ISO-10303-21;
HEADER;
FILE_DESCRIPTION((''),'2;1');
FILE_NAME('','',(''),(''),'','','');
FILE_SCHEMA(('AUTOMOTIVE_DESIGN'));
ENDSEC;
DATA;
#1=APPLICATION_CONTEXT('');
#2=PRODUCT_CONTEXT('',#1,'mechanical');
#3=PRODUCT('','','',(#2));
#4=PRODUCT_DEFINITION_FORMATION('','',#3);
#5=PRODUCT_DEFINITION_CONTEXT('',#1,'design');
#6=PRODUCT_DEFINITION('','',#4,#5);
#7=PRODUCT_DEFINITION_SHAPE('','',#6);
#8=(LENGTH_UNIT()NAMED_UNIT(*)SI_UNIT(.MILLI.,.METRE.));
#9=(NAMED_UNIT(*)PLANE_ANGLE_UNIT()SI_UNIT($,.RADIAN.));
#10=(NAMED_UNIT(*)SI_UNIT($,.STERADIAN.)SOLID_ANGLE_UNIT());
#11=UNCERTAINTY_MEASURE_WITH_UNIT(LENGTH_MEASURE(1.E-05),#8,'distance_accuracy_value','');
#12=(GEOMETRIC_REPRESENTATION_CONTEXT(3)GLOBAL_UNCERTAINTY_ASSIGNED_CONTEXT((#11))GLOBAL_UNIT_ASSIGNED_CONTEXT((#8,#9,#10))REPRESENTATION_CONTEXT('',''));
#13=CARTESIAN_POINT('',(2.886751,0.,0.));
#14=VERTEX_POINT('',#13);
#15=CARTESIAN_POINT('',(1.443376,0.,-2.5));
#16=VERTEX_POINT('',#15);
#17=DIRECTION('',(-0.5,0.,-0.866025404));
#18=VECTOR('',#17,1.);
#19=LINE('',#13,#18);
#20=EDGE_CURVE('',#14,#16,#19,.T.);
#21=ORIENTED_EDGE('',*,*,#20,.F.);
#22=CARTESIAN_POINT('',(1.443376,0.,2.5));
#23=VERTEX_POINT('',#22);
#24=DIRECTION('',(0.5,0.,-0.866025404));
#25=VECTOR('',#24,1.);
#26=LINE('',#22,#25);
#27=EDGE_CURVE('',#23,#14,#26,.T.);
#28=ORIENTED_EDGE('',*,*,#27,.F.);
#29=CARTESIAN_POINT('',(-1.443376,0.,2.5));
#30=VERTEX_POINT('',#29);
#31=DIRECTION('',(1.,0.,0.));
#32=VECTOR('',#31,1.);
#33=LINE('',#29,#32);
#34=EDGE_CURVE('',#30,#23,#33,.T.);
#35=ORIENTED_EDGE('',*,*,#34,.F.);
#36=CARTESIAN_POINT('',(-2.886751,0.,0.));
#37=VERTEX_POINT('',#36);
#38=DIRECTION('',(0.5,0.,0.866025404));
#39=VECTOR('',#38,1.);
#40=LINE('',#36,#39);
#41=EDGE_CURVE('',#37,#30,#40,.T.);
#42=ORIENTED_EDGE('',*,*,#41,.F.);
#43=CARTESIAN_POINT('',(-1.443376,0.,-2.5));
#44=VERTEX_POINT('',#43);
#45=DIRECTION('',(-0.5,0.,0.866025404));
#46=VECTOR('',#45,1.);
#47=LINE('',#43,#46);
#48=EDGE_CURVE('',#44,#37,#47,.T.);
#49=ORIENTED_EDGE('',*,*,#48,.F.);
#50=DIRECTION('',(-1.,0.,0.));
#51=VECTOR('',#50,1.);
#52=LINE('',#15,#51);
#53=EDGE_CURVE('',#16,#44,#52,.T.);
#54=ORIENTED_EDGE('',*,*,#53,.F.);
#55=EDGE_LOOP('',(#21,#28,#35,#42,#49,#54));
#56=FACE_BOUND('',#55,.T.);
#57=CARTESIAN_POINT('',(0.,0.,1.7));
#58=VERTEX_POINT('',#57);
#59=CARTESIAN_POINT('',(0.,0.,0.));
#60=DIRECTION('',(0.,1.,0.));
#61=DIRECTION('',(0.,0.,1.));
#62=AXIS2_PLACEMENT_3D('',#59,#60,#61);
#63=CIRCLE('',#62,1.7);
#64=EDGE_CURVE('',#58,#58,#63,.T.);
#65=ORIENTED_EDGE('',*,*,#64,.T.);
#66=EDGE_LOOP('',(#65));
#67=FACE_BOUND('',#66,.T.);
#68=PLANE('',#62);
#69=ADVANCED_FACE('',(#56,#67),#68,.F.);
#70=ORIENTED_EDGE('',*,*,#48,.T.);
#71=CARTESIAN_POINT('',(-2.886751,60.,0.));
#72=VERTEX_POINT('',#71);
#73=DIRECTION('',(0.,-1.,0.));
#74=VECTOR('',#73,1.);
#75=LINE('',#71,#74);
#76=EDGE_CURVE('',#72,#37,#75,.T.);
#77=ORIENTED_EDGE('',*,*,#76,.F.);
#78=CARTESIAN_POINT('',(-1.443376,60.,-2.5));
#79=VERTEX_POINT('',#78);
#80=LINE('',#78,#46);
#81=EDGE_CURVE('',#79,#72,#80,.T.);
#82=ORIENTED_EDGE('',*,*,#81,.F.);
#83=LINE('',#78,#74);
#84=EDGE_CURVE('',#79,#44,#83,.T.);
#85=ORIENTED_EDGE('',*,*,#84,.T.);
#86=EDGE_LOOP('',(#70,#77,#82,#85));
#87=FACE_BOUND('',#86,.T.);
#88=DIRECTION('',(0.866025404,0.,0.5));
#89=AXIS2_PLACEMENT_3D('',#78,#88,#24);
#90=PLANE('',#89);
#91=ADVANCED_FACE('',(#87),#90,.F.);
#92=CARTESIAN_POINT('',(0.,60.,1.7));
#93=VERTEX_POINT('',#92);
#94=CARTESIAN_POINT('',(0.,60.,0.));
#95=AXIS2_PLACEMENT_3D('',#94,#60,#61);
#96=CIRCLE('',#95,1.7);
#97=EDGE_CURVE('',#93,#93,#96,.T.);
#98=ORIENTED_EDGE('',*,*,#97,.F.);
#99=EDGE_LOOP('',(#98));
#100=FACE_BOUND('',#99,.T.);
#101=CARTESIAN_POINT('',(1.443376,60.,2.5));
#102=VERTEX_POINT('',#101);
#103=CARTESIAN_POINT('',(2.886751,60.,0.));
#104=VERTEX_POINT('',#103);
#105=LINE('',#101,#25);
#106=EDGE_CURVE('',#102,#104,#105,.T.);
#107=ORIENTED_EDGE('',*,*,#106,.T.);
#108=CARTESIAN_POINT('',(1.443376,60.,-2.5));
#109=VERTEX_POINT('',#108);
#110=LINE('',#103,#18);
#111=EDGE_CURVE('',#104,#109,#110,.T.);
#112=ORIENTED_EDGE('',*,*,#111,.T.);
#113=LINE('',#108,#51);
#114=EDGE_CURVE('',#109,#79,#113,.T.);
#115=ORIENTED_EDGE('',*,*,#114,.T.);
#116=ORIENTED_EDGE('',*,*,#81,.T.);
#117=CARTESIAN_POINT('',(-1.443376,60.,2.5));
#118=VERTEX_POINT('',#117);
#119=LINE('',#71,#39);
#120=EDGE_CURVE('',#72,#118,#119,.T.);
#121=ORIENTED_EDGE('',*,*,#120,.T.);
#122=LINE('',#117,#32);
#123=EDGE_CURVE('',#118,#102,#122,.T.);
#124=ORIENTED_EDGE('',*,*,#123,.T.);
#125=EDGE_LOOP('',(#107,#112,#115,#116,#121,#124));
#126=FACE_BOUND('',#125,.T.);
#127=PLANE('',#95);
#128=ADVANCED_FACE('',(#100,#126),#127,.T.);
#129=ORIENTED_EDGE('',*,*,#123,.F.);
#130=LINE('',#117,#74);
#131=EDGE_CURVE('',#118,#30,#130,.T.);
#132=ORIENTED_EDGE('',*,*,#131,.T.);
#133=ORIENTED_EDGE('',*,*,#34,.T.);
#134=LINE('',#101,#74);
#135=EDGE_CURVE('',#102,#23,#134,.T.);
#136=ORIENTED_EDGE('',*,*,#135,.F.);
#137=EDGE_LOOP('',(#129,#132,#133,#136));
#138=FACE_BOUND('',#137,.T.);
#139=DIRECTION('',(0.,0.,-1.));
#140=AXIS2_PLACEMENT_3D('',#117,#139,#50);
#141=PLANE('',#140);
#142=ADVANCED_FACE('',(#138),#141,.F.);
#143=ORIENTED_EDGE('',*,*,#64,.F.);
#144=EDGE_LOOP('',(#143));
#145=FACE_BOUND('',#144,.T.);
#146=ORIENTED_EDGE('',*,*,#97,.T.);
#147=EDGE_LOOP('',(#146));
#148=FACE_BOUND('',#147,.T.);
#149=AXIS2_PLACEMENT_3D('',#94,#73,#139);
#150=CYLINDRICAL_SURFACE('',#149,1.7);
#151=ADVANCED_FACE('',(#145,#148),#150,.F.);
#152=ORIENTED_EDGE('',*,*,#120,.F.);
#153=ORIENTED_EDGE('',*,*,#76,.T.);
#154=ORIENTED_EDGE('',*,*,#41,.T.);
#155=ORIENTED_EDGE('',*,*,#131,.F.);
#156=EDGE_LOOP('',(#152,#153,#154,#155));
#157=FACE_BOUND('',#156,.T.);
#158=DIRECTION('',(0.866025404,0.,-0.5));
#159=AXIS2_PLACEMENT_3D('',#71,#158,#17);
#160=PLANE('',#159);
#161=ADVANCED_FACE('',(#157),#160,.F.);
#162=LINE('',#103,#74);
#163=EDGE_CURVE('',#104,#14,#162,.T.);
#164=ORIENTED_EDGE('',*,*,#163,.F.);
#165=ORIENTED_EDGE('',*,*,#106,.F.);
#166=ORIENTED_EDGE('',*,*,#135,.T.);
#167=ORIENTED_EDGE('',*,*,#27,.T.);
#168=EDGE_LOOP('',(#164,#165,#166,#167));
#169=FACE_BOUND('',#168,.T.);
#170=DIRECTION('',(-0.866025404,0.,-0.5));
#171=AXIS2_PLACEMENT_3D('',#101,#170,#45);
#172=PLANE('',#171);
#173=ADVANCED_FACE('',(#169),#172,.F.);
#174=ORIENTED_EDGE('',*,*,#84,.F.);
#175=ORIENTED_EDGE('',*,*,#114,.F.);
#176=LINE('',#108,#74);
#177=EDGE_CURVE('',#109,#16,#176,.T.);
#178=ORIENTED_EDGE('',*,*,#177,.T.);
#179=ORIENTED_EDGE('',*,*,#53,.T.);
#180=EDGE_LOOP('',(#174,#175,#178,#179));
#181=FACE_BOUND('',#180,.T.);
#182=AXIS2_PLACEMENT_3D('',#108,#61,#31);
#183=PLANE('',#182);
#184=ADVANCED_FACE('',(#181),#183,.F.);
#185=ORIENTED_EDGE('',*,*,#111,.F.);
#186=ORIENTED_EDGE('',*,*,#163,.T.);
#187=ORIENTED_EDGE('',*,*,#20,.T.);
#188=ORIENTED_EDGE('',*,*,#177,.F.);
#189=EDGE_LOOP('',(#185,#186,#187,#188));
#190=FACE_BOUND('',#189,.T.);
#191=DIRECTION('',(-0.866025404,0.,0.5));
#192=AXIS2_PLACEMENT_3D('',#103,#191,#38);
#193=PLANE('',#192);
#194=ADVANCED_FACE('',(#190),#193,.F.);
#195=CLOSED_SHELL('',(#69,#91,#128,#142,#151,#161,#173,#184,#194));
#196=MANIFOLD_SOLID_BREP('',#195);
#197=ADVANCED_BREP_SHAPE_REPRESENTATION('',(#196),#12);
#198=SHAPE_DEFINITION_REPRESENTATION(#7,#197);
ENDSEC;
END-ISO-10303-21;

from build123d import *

# Parameters (mm, degrees)
SKETCH_1_R      = 1.7
EXTRUDE_1_DEPTH = 60


with BuildPart() as part:
    # 草图1 → 凸台-拉伸1 (new body)
    with BuildSketch(Plane(origin=(0, 0, 0), x_dir=(1, 0, 0), z_dir=(0, 1, 0))):
        Polygon((2.886751346, 0), (1.443375673, 2.5), (-1.443375673, 2.5), (-2.886751346, 0), (-1.443375673, -2.5), (1.443375673, -2.5), align=None)
        with Locations(Location((0, 0, 0), (0, 0, 270))):
            Circle(SKETCH_1_R, mode=Mode.SUBTRACT)
    extrude(amount=EXTRUDE_1_DEPTH)


solid = part.part
